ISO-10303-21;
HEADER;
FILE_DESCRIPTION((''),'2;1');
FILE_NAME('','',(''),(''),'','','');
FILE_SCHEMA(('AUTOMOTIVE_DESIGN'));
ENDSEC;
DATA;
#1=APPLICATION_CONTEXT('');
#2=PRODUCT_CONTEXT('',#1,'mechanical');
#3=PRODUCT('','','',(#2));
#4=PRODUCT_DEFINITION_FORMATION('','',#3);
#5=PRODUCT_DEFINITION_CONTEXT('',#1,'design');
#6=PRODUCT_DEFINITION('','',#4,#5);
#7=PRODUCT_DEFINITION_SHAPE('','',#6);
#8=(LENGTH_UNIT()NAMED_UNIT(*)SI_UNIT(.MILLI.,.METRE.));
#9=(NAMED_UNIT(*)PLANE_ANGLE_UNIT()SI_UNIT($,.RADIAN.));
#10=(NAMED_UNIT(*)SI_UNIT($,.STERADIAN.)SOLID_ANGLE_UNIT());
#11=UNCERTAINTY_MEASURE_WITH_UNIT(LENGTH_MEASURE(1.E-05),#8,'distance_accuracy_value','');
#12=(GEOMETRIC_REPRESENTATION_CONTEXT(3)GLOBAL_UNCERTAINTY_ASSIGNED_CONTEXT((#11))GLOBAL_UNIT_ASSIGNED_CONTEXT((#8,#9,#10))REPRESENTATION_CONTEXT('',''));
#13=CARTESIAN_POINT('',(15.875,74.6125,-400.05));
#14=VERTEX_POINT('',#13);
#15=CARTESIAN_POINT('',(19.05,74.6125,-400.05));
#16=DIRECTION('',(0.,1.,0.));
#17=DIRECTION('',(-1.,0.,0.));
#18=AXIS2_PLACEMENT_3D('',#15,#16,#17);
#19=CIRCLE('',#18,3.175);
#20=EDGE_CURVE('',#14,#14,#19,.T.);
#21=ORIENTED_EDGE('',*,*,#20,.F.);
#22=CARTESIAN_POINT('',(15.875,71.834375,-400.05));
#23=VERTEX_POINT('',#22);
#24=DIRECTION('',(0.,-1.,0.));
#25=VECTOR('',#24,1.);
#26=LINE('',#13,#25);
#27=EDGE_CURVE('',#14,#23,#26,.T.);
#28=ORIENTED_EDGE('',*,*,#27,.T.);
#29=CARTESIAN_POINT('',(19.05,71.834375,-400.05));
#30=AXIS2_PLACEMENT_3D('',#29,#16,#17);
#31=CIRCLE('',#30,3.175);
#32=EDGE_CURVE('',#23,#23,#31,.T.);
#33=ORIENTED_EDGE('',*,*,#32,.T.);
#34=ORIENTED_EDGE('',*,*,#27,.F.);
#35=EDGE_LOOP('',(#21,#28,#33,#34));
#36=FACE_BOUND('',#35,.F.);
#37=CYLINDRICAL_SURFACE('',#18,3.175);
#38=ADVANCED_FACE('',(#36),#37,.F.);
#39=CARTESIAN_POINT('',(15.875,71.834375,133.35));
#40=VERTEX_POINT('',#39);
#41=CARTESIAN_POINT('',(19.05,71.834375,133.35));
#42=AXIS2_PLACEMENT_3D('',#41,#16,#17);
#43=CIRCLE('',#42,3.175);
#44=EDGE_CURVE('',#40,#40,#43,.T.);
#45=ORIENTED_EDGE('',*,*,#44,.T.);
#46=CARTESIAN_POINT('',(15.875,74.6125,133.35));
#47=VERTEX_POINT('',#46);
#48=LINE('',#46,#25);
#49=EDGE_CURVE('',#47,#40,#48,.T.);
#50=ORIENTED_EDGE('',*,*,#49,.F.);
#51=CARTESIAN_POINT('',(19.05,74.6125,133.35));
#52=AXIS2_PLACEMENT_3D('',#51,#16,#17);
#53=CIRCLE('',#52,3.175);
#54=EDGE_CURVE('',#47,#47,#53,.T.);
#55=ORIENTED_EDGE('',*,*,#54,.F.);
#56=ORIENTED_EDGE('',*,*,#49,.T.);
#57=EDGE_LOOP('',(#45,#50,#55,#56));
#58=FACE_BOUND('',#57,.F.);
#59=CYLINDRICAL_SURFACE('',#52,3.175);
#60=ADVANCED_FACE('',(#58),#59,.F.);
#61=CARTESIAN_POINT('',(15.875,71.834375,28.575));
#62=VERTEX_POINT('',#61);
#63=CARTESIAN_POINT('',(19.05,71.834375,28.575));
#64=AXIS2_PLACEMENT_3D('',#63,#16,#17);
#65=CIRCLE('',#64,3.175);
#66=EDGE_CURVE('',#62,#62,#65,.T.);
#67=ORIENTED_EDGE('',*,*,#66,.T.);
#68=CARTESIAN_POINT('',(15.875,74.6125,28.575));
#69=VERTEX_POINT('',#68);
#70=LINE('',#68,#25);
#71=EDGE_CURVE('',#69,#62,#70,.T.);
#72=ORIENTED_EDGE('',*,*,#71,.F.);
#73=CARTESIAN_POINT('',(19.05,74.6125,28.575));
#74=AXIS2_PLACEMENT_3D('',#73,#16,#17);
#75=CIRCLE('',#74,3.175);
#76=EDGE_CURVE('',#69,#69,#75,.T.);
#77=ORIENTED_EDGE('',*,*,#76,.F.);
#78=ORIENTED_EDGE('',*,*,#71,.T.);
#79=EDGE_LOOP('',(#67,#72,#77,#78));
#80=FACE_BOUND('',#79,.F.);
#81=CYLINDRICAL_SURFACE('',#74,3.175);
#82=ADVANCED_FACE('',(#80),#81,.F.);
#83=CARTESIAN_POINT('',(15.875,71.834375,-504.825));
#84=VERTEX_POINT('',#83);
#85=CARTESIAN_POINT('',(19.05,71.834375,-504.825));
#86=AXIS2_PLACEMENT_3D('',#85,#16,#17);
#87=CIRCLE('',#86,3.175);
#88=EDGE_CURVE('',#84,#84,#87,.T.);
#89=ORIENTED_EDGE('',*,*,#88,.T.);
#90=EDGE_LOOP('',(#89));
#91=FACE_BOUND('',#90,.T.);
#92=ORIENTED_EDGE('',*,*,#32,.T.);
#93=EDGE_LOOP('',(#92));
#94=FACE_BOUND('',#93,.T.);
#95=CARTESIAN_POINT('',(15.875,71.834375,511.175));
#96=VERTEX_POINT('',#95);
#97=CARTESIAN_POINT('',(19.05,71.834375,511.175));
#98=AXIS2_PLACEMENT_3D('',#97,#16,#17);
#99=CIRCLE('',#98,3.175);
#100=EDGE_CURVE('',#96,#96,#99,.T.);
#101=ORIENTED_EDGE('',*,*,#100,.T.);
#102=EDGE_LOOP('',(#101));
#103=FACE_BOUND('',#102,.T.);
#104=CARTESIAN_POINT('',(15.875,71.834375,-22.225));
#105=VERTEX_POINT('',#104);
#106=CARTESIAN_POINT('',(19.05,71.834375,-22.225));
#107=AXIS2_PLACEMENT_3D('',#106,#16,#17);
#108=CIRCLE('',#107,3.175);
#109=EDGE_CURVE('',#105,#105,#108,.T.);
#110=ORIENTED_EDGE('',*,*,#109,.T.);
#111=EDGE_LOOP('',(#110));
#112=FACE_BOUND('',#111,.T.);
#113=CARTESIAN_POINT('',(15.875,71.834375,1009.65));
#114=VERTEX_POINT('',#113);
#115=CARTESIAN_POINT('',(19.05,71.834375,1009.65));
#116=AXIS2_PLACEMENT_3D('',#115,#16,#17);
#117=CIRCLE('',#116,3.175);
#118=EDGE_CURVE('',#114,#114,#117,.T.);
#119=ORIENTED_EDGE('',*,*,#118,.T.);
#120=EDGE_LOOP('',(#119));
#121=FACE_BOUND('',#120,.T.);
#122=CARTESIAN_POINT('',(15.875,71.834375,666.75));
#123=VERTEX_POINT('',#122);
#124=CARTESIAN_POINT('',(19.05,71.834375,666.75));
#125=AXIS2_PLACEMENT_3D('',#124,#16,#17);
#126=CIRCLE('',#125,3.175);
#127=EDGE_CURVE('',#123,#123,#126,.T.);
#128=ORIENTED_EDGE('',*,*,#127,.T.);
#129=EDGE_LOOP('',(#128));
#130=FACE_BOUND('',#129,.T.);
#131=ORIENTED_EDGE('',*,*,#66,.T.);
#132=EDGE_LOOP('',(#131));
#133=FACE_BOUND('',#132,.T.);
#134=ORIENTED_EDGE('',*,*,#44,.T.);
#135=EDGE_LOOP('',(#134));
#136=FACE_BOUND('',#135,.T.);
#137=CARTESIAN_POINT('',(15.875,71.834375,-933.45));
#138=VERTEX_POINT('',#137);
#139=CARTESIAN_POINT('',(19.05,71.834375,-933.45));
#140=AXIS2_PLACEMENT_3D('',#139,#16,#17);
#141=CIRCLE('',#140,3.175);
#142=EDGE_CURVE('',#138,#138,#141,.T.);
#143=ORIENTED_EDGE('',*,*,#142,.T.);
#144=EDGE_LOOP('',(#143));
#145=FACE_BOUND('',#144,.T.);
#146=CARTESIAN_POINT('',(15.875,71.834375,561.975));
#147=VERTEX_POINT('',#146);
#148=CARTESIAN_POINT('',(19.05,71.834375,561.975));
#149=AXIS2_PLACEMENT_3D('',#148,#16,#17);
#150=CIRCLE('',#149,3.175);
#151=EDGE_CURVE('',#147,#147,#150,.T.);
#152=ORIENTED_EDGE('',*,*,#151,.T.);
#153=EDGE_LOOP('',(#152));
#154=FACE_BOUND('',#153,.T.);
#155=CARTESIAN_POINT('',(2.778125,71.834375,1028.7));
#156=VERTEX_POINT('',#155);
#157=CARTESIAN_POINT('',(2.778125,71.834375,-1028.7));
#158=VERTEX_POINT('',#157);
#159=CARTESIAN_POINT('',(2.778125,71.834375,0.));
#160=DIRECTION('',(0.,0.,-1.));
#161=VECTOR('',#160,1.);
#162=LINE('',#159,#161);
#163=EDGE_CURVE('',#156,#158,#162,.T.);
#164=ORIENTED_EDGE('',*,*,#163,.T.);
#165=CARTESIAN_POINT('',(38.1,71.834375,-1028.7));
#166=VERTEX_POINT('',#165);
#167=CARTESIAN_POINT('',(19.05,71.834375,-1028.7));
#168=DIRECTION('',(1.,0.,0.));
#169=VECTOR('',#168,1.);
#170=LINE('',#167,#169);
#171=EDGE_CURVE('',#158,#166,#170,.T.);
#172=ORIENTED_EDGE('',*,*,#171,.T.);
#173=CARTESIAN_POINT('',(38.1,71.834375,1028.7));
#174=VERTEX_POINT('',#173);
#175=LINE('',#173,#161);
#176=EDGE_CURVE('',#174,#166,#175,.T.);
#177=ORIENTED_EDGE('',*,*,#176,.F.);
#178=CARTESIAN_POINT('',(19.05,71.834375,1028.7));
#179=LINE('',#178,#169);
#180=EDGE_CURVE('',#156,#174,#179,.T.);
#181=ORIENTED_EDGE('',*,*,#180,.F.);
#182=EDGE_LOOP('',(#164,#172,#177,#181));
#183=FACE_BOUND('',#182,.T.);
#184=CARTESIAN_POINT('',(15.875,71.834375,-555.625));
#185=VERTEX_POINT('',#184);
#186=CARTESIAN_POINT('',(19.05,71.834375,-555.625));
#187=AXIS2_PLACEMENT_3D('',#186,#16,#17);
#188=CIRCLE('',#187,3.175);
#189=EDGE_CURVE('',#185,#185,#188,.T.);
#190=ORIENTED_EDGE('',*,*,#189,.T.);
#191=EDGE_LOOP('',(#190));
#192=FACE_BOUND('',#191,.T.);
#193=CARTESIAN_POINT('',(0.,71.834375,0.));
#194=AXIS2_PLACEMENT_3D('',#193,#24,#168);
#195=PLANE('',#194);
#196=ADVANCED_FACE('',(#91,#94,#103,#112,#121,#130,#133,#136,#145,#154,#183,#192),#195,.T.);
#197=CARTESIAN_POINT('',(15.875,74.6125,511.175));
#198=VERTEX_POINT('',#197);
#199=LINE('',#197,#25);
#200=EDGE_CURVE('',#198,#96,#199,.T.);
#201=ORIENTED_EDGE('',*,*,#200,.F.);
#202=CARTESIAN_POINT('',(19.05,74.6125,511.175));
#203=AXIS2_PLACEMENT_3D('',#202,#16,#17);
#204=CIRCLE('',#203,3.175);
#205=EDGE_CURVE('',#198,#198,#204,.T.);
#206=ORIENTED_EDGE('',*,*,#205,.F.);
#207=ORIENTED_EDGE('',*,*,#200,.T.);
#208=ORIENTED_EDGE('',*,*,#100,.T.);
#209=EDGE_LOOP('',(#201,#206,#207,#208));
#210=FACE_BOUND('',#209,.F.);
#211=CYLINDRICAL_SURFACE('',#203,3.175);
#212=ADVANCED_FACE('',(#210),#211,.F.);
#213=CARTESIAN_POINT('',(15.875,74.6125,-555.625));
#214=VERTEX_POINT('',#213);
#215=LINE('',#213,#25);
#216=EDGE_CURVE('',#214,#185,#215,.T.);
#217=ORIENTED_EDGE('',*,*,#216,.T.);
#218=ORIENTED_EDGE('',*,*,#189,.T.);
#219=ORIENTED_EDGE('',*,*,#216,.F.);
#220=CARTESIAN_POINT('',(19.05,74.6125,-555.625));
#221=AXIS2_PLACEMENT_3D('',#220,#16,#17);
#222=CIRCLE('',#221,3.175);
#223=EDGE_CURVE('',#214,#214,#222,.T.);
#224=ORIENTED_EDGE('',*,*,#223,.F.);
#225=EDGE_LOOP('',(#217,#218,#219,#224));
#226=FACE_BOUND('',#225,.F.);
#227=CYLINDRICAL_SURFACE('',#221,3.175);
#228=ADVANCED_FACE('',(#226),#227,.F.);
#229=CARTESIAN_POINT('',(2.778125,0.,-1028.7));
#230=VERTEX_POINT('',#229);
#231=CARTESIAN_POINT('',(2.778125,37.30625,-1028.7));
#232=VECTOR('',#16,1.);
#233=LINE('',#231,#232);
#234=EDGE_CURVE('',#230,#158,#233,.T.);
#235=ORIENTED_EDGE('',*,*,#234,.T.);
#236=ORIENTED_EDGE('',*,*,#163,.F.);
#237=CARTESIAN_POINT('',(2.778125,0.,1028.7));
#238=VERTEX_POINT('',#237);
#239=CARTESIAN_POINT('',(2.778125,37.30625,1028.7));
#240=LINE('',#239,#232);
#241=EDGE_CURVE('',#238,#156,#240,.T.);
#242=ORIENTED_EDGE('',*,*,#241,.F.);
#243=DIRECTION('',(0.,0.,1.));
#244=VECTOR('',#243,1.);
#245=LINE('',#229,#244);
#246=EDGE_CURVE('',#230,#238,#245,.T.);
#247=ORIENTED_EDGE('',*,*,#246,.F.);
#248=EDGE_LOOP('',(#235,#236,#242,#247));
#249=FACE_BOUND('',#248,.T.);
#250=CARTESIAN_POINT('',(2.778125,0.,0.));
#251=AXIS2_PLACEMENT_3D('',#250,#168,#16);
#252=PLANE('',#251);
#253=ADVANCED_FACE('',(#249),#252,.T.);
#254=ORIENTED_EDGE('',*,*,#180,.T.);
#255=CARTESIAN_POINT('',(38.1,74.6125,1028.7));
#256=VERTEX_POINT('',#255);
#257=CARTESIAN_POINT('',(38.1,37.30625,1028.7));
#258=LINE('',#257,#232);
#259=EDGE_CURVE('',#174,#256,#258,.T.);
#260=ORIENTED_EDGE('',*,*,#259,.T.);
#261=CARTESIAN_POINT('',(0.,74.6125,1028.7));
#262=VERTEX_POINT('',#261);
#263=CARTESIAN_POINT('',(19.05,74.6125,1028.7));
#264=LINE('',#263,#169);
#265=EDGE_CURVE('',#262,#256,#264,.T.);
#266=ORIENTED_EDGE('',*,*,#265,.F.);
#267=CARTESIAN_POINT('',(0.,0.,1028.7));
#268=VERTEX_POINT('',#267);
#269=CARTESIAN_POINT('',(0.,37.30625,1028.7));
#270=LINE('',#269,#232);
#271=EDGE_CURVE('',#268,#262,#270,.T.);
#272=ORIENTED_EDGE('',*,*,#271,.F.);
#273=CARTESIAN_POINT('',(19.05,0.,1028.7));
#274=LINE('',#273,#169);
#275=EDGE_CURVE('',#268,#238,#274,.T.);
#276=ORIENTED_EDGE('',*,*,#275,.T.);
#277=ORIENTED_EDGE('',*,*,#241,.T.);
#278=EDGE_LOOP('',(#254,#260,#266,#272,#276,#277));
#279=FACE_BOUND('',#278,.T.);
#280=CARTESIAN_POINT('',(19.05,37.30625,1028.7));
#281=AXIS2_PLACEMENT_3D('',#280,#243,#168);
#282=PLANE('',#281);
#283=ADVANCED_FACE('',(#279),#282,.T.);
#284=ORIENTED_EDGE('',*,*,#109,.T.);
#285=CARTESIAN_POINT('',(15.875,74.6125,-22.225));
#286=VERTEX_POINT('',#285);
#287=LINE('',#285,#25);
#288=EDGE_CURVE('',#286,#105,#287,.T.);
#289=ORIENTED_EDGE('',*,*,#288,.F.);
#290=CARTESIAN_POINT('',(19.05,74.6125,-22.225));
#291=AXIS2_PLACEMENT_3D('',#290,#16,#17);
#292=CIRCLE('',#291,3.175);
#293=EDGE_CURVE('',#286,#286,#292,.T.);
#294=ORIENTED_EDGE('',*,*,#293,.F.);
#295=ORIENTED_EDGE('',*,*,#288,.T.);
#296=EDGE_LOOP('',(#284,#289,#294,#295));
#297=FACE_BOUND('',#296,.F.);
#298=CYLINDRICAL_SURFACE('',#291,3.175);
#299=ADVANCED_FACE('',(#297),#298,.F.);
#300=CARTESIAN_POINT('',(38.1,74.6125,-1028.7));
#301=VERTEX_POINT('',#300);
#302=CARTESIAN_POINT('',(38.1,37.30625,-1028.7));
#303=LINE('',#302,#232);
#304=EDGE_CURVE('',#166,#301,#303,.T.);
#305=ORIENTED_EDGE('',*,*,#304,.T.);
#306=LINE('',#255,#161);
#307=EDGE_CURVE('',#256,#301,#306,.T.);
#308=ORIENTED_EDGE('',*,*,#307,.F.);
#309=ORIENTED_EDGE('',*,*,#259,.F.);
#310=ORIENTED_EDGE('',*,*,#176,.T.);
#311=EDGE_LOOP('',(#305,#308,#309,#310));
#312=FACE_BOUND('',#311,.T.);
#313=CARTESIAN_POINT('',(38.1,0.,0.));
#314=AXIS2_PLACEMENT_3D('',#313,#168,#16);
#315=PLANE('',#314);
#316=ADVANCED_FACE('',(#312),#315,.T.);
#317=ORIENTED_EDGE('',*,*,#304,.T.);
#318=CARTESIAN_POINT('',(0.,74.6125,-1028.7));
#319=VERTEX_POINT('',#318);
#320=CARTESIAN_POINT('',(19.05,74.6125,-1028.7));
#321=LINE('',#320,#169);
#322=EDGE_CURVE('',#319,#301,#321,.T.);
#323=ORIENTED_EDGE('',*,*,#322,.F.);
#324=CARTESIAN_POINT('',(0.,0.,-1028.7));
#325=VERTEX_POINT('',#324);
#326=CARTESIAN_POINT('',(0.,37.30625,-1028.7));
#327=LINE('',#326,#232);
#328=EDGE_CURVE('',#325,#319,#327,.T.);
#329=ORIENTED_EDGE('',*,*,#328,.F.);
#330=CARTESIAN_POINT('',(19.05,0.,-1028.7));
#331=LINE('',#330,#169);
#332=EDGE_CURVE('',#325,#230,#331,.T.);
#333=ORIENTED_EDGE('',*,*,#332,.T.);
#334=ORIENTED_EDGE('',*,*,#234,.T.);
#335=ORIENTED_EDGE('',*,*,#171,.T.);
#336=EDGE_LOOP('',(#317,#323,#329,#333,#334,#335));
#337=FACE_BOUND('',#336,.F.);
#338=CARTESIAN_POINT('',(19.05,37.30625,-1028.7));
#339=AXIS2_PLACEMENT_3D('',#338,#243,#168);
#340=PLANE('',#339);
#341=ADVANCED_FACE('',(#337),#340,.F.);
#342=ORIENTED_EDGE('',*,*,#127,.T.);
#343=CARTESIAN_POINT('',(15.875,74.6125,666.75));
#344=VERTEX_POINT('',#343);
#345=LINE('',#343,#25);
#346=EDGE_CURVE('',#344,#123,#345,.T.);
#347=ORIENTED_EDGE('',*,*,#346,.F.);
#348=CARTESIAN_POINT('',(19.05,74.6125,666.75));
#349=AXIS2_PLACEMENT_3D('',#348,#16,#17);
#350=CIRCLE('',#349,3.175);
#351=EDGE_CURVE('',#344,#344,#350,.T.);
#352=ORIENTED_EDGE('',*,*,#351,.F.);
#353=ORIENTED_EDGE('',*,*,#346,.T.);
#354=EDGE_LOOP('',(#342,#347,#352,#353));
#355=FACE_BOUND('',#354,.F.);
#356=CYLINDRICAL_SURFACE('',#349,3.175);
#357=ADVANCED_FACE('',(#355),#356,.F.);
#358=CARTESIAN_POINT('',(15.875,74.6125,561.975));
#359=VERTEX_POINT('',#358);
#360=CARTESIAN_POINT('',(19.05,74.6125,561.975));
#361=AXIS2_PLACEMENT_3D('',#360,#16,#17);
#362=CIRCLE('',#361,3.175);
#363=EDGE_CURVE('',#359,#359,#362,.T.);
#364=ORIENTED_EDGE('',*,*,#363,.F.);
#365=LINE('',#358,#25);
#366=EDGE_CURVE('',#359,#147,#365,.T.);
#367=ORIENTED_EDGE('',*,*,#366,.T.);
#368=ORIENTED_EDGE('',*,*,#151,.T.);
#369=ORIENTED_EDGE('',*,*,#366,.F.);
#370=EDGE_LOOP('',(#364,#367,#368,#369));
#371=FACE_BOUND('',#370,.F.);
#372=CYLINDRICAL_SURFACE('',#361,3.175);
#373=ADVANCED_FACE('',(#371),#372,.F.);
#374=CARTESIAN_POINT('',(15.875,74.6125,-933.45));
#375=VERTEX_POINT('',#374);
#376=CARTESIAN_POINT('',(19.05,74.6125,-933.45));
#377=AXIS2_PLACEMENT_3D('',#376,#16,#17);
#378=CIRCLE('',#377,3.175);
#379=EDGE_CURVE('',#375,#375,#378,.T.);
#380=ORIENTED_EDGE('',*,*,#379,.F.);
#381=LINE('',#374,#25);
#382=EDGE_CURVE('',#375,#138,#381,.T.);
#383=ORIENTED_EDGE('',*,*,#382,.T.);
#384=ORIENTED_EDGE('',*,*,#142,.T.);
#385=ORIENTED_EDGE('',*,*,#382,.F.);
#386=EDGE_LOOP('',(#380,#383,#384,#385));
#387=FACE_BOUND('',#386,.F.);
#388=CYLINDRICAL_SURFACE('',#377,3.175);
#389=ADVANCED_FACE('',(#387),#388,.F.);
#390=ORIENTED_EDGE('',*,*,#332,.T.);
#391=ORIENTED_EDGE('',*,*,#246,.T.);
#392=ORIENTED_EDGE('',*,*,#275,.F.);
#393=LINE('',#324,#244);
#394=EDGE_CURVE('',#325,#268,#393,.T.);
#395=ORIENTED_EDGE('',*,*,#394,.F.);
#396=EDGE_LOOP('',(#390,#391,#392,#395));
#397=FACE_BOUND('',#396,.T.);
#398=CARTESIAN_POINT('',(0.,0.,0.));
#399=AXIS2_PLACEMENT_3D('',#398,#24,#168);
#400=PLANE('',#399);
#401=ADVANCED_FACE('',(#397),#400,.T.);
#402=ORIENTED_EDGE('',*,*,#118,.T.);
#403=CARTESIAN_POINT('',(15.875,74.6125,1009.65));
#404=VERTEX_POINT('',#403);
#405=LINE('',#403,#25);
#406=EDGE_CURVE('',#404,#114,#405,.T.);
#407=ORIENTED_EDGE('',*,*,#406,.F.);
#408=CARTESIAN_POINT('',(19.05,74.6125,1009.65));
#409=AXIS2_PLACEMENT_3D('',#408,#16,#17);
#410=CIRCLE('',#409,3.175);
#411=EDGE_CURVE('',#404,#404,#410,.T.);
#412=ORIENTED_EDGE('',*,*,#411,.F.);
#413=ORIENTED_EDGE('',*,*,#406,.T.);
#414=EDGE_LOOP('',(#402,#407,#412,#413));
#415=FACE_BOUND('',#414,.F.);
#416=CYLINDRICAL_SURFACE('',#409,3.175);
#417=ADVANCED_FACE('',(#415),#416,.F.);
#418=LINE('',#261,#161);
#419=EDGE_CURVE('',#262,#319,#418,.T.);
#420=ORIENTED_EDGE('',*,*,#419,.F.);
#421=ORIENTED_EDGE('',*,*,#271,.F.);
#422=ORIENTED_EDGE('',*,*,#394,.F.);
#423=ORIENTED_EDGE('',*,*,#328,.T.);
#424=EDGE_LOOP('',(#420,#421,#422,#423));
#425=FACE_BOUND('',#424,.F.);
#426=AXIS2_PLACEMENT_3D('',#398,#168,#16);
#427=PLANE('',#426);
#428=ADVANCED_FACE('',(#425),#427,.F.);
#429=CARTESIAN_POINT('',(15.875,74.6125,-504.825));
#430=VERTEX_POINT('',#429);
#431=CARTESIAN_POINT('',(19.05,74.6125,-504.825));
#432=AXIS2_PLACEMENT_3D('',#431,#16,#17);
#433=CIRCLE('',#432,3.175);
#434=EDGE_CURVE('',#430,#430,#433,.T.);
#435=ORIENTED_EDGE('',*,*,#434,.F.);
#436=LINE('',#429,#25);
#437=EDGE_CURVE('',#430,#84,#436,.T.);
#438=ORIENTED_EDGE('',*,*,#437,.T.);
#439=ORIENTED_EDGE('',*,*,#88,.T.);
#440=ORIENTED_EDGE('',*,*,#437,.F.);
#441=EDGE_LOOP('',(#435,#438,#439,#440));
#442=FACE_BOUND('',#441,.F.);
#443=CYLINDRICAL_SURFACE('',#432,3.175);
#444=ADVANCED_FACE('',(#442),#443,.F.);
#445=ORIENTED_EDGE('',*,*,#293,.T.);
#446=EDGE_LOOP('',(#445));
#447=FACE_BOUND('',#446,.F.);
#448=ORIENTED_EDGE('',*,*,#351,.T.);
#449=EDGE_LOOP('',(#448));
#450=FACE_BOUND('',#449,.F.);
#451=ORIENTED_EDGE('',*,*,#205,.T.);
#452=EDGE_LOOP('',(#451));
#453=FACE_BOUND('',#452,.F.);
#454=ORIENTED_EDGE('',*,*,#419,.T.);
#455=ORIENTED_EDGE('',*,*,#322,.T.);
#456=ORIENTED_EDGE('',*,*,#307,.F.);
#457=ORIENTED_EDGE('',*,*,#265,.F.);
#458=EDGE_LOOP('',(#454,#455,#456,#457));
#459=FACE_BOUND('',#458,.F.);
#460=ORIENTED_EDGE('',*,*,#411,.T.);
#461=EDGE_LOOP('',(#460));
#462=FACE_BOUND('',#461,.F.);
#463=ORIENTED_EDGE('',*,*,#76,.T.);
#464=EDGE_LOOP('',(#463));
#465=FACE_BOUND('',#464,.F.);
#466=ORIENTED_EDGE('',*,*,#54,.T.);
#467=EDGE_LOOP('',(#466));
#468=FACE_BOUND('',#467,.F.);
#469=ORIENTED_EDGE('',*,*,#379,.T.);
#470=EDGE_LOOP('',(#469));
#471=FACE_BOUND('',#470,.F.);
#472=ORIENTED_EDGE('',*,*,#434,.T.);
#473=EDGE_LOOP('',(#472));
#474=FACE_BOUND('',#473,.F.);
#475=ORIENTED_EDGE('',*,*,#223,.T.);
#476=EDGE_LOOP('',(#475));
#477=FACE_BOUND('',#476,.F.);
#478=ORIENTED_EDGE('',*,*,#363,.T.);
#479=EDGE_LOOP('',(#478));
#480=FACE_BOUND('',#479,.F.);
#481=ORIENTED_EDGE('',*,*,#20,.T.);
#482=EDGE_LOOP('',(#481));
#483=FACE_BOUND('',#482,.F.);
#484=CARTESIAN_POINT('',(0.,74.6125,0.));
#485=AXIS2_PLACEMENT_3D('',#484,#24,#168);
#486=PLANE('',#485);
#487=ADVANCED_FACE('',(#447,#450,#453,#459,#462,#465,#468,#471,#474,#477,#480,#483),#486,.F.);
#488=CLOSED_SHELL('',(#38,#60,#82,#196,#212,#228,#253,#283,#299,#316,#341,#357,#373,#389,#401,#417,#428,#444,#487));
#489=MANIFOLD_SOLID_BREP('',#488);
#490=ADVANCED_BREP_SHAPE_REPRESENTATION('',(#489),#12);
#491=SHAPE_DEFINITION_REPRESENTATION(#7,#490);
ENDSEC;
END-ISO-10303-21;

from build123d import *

# Parameters (mm, degrees)
F0_W     = 38.1
F0_H     = 74.6125
F1_DEPTH = 1028.7
F2_T     = -2.778125
F3_R     = 3.175
F4_DEPTH = 74.6135


with BuildPart() as f1:
    # F0 (on Top) → F1 (new body, symmetric)
    with BuildSketch(Plane.XY):
        with Locations((19.05, 37.30625)):
            Rectangle(F0_W, F0_H)
    extrude(amount=F1_DEPTH, both=True)

    # F2
    f2_openings = [f1.faces().sort_by_distance(p)[0] for p in [
        (38.1, 37.30625, 0),
        (19.05, 37.30625, 1028.7),
        (19.05, 0, 0),
        (19.05, 37.30625, -1028.7),
    ]]
    offset(amount=F2_T, openings=f2_openings)

    # F3 (on face) → F4 (cut, through all)
    with BuildSketch(Plane(origin=(0, 74.6125, 0), x_dir=(-1, 0, 0), z_dir=(0, 1, 0))):
        with Locations((-19.05, 561.975)):
            Circle(F3_R)
        with Locations((-19.05, 511.175)):
            Circle(F3_R)
        with Locations((-19.05, 133.35)):
            Circle(F3_R)
        with Locations((-19.05, -22.225)):
            Circle(F3_R)
        with Locations((-19.05, 28.575)):
            Circle(F3_R)
        with Locations((-19.05, -400.05)):
            Circle(F3_R)
        with Locations((-19.05, -555.625)):
            Circle(F3_R)
        with Locations((-19.05, -504.825)):
            Circle(F3_R)
        with Locations((-19.05, -933.45)):
            Circle(F3_R)
        with Locations((-19.05, 666.75)):
            Circle(F3_R)
        with Locations((-19.05, 1009.65)):
            Circle(F3_R)
    extrude(amount=-F4_DEPTH, mode=Mode.SUBTRACT)


solid = f1.part
